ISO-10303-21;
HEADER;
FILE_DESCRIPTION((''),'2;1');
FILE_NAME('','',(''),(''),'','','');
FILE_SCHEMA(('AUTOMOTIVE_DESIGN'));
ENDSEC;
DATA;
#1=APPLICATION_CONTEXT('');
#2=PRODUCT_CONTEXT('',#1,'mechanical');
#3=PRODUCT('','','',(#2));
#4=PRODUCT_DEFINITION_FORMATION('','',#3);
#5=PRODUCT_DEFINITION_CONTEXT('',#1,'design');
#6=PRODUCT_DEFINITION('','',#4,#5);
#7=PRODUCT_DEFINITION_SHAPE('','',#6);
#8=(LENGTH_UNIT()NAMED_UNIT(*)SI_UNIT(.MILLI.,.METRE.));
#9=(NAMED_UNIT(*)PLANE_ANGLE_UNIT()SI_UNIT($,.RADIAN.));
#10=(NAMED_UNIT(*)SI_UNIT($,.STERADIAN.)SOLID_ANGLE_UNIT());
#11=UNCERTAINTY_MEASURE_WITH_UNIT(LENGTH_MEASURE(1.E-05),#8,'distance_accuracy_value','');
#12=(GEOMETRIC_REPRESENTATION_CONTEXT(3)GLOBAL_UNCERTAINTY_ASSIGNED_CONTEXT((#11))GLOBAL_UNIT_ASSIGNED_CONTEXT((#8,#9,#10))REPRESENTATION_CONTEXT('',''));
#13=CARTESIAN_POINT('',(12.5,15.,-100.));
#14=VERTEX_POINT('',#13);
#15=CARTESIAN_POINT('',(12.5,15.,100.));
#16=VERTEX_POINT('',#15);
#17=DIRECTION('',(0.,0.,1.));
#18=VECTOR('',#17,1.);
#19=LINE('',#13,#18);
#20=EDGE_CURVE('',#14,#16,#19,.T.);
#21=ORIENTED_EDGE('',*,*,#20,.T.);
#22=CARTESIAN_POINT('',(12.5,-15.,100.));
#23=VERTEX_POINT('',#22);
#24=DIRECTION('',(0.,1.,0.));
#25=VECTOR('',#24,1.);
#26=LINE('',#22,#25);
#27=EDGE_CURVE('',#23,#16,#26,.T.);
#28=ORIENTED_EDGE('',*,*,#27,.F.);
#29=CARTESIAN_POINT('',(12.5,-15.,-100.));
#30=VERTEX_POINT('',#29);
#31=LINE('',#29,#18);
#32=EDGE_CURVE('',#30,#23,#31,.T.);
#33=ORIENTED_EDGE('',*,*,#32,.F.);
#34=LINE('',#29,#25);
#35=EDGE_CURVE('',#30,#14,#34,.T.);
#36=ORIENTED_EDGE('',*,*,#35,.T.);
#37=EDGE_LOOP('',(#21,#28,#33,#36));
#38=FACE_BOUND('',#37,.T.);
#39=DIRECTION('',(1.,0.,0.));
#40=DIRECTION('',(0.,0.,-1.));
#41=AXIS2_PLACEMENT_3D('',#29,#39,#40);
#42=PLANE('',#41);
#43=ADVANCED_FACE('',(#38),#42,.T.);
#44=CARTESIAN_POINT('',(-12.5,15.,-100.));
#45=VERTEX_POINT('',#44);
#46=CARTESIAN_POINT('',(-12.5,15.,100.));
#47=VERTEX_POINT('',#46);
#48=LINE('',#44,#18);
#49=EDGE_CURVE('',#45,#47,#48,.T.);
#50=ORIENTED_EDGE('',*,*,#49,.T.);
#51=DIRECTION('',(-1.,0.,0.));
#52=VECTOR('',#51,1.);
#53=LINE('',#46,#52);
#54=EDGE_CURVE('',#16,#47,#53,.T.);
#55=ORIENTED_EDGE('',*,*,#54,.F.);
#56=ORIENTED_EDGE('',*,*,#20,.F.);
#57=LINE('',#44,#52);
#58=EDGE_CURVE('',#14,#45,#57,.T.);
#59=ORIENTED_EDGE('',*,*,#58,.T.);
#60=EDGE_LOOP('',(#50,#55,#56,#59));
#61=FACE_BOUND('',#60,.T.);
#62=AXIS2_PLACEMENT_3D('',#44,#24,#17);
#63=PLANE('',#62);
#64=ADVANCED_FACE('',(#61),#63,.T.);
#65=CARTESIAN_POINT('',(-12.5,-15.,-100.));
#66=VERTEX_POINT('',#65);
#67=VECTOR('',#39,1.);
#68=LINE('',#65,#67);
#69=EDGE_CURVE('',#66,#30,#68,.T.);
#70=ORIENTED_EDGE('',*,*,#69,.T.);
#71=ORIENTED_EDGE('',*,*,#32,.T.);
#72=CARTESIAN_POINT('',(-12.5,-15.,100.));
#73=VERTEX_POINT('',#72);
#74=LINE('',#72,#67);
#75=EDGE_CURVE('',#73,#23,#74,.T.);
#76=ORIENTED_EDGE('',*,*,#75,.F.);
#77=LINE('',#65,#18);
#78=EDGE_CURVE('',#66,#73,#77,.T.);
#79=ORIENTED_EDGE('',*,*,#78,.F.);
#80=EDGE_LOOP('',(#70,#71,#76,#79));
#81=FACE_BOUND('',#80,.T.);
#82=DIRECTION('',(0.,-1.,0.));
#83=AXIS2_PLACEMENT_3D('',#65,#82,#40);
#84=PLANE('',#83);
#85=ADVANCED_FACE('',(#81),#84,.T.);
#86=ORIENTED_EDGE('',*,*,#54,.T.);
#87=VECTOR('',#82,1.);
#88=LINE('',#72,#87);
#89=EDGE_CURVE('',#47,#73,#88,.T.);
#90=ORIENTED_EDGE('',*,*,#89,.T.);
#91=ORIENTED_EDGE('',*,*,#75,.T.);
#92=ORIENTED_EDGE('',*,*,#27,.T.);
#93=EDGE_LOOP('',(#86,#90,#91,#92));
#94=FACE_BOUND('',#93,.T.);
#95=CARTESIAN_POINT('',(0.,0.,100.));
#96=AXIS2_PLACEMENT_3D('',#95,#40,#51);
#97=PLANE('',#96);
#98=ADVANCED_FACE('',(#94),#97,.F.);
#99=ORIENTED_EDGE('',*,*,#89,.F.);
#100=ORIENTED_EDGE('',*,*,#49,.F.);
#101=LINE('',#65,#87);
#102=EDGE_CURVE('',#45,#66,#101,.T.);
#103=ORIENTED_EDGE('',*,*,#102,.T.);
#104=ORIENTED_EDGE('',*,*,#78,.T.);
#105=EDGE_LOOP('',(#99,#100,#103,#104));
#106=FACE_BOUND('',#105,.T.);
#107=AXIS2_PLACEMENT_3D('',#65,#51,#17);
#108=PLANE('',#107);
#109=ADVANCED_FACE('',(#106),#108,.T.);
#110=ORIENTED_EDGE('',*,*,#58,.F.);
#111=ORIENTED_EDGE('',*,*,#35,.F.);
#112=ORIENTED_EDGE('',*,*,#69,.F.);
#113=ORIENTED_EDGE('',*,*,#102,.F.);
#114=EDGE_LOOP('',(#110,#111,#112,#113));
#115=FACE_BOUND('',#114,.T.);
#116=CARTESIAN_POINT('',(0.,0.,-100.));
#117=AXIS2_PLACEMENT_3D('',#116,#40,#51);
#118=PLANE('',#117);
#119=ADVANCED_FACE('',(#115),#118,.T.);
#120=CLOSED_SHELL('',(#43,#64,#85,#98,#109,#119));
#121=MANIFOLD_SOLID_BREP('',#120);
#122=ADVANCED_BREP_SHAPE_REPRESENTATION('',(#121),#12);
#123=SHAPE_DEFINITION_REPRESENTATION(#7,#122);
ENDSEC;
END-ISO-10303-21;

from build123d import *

# Parameters (mm, degrees)
BOSS_EXTRUDE1_DEPTH      = 100
BOSS_EXTRUDE1_DEPTH_BACK = 100
SKETCH1_W                = 25
SKETCH1_H                = 30


with BuildPart() as part:
    # Sketch1 → Boss-Extrude1 (new, two sides: drawn at the far end of the back side and taken through both)
    with BuildSketch(Plane.XY.offset(-BOSS_EXTRUDE1_DEPTH_BACK)):
        Rectangle(SKETCH1_W, SKETCH1_H)
    extrude(amount=BOSS_EXTRUDE1_DEPTH + BOSS_EXTRUDE1_DEPTH_BACK)


solid = part.part
